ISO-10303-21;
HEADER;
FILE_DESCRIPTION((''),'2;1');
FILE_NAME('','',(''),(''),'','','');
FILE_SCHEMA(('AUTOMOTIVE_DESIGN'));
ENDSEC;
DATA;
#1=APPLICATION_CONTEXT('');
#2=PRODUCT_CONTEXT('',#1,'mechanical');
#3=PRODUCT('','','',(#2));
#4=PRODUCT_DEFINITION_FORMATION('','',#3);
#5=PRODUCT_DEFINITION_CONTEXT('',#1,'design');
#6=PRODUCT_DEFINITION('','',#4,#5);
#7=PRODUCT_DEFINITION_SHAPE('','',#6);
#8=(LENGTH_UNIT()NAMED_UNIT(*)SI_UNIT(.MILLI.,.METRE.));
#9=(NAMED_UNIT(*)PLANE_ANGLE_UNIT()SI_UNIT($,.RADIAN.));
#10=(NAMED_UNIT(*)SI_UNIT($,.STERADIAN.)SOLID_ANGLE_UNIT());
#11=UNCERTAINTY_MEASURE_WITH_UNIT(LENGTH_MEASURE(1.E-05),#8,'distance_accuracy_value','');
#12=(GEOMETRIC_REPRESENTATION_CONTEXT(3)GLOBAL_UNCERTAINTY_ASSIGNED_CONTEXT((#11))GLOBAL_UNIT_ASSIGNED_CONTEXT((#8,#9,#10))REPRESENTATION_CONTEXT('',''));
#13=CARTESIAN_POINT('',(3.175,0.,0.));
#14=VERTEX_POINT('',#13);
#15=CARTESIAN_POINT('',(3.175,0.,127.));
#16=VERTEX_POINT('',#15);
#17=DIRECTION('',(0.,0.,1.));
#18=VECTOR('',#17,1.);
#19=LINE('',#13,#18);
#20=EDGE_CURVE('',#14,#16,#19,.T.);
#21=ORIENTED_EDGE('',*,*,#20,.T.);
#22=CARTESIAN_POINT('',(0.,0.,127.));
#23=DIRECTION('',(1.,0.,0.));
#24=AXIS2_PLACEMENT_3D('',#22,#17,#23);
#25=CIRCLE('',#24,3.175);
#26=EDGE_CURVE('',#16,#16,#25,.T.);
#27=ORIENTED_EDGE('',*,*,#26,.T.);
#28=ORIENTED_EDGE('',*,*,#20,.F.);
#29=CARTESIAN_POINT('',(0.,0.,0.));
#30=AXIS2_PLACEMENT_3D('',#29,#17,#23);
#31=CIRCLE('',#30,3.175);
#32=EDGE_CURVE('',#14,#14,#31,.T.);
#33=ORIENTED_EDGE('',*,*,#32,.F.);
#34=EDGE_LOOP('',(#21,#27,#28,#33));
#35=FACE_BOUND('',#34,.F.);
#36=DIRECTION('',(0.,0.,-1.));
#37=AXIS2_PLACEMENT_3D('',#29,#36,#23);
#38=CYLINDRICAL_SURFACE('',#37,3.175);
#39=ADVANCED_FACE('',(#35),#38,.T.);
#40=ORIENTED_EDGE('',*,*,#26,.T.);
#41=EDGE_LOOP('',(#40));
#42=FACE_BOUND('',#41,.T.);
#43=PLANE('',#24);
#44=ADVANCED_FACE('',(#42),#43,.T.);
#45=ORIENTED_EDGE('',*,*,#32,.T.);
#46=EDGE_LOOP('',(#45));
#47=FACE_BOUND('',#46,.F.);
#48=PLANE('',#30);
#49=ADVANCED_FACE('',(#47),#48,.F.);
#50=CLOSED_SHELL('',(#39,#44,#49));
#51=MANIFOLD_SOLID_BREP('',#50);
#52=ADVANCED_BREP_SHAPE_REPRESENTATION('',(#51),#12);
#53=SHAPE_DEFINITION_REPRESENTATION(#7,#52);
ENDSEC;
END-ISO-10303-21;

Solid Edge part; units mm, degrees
sketch "Sketch1" plane through (0, 0, 0) normal (0, 0, 1) x (1, 0, 0)
  circle A0 centre (0, 0) radius 3.175
  dimension "D1" = 6.35
extrude "Protrusion1" add sketch "Sketch1" along normal blind 127
properties part number "SPaRC - 02 - 003"
